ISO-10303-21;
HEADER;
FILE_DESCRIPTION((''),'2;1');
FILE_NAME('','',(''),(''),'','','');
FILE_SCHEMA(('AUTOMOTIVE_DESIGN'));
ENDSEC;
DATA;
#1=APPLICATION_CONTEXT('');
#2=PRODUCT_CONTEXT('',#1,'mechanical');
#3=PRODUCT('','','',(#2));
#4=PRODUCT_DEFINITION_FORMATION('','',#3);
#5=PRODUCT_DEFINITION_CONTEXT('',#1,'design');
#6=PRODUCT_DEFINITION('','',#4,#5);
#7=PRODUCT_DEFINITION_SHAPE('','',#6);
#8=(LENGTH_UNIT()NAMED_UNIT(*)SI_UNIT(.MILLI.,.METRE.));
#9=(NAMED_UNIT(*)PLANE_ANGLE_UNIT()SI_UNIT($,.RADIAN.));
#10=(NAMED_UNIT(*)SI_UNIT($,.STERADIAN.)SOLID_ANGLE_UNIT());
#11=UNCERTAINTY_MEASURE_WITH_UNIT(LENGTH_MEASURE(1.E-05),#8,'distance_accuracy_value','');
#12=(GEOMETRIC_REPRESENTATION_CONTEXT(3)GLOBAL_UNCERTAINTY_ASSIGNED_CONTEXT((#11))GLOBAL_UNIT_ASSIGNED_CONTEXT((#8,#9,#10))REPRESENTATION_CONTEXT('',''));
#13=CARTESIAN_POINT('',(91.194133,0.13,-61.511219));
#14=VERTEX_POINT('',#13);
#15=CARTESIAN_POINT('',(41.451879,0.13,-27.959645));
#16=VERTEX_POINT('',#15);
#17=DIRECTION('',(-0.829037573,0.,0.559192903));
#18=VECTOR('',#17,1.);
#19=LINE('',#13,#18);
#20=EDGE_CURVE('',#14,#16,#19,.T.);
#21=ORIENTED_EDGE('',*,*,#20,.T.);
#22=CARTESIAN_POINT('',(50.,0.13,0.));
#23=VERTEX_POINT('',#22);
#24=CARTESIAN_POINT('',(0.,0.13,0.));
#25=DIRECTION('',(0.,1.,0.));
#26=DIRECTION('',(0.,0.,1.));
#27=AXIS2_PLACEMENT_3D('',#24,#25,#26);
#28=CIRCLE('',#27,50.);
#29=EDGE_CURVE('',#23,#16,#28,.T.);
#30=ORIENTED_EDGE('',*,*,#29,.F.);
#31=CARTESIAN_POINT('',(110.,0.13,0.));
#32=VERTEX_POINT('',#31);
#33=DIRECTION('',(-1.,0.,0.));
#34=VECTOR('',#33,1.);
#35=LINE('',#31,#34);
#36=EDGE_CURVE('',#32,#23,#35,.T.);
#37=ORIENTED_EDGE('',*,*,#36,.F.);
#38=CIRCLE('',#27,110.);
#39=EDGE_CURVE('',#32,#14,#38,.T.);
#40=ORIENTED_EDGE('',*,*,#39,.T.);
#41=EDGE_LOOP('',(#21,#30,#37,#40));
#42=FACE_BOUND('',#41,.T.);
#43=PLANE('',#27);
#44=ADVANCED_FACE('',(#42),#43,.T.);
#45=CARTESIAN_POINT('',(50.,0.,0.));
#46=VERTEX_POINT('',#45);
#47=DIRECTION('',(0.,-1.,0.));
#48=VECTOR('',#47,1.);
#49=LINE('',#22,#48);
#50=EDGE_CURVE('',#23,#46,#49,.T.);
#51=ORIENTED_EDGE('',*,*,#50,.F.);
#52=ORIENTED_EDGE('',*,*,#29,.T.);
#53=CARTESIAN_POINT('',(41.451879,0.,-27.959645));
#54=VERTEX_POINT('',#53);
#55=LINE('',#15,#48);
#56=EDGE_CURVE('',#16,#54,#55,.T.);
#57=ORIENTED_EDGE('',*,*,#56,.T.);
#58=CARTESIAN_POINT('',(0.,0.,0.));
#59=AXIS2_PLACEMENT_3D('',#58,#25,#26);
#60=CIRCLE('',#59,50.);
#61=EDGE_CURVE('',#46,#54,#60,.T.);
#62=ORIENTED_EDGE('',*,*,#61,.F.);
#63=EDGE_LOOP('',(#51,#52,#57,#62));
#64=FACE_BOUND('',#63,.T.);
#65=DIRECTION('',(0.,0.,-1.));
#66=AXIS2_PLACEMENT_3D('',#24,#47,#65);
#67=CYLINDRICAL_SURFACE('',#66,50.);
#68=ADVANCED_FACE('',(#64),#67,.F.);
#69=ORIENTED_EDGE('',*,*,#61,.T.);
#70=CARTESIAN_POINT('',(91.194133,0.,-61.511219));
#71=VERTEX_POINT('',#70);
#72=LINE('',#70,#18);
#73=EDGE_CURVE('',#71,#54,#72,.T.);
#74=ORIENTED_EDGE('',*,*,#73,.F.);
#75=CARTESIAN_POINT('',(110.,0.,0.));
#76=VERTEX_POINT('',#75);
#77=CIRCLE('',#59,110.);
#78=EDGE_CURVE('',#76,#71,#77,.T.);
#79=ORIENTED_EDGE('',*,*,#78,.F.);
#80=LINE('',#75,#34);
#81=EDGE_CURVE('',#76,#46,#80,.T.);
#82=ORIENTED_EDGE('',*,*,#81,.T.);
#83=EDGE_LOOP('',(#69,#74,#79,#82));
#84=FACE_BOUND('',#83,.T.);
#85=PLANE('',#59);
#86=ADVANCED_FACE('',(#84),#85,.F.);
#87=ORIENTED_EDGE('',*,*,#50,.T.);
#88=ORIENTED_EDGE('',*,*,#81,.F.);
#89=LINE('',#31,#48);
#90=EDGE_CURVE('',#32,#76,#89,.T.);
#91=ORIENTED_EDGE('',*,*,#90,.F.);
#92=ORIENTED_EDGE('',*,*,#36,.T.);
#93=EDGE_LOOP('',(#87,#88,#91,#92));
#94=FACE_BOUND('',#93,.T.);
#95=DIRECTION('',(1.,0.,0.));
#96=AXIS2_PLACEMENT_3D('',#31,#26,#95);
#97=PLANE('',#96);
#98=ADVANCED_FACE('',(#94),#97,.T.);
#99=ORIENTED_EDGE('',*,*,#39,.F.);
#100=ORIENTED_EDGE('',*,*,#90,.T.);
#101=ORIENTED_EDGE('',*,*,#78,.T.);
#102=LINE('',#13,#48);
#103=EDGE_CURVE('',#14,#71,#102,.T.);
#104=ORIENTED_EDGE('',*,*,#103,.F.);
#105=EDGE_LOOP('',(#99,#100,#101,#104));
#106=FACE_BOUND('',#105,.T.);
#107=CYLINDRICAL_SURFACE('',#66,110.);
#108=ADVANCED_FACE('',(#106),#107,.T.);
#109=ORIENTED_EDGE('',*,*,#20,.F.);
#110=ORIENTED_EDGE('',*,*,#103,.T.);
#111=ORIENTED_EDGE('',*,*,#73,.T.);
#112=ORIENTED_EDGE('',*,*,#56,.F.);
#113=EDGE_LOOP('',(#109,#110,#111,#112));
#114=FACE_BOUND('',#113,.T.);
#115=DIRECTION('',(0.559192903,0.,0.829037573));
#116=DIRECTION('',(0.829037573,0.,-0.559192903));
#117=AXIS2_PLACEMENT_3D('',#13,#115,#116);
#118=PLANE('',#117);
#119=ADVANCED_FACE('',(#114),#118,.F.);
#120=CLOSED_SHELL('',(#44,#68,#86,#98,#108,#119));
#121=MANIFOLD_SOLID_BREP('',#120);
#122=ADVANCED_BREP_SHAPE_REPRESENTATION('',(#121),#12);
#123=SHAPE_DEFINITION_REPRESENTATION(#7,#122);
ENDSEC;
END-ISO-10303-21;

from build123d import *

# Parameters (mm, degrees)
EXTRUDE_1_DEPTH = 0.13


with BuildPart() as part:
    # 草图1 → 凸台-拉伸1 (new body)
    with BuildSketch(Plane(origin=(0, 0, 0), x_dir=(1, 0, 0), z_dir=(0, 1, 0))):
        with BuildLine():
            Line((91.194132981, 61.511219382), (41.451878628, 27.959645174))
            ThreePointArc((41.451878628, 27.959645174), (47.815237798, 14.618585236), (50, 0))
            Line((50, 0), (110, 0))
            ThreePointArc((110, 0), (105.193523156, 32.16088752), (91.194132981, 61.511219382))
        make_face()
    extrude(amount=EXTRUDE_1_DEPTH)


solid = part.part
